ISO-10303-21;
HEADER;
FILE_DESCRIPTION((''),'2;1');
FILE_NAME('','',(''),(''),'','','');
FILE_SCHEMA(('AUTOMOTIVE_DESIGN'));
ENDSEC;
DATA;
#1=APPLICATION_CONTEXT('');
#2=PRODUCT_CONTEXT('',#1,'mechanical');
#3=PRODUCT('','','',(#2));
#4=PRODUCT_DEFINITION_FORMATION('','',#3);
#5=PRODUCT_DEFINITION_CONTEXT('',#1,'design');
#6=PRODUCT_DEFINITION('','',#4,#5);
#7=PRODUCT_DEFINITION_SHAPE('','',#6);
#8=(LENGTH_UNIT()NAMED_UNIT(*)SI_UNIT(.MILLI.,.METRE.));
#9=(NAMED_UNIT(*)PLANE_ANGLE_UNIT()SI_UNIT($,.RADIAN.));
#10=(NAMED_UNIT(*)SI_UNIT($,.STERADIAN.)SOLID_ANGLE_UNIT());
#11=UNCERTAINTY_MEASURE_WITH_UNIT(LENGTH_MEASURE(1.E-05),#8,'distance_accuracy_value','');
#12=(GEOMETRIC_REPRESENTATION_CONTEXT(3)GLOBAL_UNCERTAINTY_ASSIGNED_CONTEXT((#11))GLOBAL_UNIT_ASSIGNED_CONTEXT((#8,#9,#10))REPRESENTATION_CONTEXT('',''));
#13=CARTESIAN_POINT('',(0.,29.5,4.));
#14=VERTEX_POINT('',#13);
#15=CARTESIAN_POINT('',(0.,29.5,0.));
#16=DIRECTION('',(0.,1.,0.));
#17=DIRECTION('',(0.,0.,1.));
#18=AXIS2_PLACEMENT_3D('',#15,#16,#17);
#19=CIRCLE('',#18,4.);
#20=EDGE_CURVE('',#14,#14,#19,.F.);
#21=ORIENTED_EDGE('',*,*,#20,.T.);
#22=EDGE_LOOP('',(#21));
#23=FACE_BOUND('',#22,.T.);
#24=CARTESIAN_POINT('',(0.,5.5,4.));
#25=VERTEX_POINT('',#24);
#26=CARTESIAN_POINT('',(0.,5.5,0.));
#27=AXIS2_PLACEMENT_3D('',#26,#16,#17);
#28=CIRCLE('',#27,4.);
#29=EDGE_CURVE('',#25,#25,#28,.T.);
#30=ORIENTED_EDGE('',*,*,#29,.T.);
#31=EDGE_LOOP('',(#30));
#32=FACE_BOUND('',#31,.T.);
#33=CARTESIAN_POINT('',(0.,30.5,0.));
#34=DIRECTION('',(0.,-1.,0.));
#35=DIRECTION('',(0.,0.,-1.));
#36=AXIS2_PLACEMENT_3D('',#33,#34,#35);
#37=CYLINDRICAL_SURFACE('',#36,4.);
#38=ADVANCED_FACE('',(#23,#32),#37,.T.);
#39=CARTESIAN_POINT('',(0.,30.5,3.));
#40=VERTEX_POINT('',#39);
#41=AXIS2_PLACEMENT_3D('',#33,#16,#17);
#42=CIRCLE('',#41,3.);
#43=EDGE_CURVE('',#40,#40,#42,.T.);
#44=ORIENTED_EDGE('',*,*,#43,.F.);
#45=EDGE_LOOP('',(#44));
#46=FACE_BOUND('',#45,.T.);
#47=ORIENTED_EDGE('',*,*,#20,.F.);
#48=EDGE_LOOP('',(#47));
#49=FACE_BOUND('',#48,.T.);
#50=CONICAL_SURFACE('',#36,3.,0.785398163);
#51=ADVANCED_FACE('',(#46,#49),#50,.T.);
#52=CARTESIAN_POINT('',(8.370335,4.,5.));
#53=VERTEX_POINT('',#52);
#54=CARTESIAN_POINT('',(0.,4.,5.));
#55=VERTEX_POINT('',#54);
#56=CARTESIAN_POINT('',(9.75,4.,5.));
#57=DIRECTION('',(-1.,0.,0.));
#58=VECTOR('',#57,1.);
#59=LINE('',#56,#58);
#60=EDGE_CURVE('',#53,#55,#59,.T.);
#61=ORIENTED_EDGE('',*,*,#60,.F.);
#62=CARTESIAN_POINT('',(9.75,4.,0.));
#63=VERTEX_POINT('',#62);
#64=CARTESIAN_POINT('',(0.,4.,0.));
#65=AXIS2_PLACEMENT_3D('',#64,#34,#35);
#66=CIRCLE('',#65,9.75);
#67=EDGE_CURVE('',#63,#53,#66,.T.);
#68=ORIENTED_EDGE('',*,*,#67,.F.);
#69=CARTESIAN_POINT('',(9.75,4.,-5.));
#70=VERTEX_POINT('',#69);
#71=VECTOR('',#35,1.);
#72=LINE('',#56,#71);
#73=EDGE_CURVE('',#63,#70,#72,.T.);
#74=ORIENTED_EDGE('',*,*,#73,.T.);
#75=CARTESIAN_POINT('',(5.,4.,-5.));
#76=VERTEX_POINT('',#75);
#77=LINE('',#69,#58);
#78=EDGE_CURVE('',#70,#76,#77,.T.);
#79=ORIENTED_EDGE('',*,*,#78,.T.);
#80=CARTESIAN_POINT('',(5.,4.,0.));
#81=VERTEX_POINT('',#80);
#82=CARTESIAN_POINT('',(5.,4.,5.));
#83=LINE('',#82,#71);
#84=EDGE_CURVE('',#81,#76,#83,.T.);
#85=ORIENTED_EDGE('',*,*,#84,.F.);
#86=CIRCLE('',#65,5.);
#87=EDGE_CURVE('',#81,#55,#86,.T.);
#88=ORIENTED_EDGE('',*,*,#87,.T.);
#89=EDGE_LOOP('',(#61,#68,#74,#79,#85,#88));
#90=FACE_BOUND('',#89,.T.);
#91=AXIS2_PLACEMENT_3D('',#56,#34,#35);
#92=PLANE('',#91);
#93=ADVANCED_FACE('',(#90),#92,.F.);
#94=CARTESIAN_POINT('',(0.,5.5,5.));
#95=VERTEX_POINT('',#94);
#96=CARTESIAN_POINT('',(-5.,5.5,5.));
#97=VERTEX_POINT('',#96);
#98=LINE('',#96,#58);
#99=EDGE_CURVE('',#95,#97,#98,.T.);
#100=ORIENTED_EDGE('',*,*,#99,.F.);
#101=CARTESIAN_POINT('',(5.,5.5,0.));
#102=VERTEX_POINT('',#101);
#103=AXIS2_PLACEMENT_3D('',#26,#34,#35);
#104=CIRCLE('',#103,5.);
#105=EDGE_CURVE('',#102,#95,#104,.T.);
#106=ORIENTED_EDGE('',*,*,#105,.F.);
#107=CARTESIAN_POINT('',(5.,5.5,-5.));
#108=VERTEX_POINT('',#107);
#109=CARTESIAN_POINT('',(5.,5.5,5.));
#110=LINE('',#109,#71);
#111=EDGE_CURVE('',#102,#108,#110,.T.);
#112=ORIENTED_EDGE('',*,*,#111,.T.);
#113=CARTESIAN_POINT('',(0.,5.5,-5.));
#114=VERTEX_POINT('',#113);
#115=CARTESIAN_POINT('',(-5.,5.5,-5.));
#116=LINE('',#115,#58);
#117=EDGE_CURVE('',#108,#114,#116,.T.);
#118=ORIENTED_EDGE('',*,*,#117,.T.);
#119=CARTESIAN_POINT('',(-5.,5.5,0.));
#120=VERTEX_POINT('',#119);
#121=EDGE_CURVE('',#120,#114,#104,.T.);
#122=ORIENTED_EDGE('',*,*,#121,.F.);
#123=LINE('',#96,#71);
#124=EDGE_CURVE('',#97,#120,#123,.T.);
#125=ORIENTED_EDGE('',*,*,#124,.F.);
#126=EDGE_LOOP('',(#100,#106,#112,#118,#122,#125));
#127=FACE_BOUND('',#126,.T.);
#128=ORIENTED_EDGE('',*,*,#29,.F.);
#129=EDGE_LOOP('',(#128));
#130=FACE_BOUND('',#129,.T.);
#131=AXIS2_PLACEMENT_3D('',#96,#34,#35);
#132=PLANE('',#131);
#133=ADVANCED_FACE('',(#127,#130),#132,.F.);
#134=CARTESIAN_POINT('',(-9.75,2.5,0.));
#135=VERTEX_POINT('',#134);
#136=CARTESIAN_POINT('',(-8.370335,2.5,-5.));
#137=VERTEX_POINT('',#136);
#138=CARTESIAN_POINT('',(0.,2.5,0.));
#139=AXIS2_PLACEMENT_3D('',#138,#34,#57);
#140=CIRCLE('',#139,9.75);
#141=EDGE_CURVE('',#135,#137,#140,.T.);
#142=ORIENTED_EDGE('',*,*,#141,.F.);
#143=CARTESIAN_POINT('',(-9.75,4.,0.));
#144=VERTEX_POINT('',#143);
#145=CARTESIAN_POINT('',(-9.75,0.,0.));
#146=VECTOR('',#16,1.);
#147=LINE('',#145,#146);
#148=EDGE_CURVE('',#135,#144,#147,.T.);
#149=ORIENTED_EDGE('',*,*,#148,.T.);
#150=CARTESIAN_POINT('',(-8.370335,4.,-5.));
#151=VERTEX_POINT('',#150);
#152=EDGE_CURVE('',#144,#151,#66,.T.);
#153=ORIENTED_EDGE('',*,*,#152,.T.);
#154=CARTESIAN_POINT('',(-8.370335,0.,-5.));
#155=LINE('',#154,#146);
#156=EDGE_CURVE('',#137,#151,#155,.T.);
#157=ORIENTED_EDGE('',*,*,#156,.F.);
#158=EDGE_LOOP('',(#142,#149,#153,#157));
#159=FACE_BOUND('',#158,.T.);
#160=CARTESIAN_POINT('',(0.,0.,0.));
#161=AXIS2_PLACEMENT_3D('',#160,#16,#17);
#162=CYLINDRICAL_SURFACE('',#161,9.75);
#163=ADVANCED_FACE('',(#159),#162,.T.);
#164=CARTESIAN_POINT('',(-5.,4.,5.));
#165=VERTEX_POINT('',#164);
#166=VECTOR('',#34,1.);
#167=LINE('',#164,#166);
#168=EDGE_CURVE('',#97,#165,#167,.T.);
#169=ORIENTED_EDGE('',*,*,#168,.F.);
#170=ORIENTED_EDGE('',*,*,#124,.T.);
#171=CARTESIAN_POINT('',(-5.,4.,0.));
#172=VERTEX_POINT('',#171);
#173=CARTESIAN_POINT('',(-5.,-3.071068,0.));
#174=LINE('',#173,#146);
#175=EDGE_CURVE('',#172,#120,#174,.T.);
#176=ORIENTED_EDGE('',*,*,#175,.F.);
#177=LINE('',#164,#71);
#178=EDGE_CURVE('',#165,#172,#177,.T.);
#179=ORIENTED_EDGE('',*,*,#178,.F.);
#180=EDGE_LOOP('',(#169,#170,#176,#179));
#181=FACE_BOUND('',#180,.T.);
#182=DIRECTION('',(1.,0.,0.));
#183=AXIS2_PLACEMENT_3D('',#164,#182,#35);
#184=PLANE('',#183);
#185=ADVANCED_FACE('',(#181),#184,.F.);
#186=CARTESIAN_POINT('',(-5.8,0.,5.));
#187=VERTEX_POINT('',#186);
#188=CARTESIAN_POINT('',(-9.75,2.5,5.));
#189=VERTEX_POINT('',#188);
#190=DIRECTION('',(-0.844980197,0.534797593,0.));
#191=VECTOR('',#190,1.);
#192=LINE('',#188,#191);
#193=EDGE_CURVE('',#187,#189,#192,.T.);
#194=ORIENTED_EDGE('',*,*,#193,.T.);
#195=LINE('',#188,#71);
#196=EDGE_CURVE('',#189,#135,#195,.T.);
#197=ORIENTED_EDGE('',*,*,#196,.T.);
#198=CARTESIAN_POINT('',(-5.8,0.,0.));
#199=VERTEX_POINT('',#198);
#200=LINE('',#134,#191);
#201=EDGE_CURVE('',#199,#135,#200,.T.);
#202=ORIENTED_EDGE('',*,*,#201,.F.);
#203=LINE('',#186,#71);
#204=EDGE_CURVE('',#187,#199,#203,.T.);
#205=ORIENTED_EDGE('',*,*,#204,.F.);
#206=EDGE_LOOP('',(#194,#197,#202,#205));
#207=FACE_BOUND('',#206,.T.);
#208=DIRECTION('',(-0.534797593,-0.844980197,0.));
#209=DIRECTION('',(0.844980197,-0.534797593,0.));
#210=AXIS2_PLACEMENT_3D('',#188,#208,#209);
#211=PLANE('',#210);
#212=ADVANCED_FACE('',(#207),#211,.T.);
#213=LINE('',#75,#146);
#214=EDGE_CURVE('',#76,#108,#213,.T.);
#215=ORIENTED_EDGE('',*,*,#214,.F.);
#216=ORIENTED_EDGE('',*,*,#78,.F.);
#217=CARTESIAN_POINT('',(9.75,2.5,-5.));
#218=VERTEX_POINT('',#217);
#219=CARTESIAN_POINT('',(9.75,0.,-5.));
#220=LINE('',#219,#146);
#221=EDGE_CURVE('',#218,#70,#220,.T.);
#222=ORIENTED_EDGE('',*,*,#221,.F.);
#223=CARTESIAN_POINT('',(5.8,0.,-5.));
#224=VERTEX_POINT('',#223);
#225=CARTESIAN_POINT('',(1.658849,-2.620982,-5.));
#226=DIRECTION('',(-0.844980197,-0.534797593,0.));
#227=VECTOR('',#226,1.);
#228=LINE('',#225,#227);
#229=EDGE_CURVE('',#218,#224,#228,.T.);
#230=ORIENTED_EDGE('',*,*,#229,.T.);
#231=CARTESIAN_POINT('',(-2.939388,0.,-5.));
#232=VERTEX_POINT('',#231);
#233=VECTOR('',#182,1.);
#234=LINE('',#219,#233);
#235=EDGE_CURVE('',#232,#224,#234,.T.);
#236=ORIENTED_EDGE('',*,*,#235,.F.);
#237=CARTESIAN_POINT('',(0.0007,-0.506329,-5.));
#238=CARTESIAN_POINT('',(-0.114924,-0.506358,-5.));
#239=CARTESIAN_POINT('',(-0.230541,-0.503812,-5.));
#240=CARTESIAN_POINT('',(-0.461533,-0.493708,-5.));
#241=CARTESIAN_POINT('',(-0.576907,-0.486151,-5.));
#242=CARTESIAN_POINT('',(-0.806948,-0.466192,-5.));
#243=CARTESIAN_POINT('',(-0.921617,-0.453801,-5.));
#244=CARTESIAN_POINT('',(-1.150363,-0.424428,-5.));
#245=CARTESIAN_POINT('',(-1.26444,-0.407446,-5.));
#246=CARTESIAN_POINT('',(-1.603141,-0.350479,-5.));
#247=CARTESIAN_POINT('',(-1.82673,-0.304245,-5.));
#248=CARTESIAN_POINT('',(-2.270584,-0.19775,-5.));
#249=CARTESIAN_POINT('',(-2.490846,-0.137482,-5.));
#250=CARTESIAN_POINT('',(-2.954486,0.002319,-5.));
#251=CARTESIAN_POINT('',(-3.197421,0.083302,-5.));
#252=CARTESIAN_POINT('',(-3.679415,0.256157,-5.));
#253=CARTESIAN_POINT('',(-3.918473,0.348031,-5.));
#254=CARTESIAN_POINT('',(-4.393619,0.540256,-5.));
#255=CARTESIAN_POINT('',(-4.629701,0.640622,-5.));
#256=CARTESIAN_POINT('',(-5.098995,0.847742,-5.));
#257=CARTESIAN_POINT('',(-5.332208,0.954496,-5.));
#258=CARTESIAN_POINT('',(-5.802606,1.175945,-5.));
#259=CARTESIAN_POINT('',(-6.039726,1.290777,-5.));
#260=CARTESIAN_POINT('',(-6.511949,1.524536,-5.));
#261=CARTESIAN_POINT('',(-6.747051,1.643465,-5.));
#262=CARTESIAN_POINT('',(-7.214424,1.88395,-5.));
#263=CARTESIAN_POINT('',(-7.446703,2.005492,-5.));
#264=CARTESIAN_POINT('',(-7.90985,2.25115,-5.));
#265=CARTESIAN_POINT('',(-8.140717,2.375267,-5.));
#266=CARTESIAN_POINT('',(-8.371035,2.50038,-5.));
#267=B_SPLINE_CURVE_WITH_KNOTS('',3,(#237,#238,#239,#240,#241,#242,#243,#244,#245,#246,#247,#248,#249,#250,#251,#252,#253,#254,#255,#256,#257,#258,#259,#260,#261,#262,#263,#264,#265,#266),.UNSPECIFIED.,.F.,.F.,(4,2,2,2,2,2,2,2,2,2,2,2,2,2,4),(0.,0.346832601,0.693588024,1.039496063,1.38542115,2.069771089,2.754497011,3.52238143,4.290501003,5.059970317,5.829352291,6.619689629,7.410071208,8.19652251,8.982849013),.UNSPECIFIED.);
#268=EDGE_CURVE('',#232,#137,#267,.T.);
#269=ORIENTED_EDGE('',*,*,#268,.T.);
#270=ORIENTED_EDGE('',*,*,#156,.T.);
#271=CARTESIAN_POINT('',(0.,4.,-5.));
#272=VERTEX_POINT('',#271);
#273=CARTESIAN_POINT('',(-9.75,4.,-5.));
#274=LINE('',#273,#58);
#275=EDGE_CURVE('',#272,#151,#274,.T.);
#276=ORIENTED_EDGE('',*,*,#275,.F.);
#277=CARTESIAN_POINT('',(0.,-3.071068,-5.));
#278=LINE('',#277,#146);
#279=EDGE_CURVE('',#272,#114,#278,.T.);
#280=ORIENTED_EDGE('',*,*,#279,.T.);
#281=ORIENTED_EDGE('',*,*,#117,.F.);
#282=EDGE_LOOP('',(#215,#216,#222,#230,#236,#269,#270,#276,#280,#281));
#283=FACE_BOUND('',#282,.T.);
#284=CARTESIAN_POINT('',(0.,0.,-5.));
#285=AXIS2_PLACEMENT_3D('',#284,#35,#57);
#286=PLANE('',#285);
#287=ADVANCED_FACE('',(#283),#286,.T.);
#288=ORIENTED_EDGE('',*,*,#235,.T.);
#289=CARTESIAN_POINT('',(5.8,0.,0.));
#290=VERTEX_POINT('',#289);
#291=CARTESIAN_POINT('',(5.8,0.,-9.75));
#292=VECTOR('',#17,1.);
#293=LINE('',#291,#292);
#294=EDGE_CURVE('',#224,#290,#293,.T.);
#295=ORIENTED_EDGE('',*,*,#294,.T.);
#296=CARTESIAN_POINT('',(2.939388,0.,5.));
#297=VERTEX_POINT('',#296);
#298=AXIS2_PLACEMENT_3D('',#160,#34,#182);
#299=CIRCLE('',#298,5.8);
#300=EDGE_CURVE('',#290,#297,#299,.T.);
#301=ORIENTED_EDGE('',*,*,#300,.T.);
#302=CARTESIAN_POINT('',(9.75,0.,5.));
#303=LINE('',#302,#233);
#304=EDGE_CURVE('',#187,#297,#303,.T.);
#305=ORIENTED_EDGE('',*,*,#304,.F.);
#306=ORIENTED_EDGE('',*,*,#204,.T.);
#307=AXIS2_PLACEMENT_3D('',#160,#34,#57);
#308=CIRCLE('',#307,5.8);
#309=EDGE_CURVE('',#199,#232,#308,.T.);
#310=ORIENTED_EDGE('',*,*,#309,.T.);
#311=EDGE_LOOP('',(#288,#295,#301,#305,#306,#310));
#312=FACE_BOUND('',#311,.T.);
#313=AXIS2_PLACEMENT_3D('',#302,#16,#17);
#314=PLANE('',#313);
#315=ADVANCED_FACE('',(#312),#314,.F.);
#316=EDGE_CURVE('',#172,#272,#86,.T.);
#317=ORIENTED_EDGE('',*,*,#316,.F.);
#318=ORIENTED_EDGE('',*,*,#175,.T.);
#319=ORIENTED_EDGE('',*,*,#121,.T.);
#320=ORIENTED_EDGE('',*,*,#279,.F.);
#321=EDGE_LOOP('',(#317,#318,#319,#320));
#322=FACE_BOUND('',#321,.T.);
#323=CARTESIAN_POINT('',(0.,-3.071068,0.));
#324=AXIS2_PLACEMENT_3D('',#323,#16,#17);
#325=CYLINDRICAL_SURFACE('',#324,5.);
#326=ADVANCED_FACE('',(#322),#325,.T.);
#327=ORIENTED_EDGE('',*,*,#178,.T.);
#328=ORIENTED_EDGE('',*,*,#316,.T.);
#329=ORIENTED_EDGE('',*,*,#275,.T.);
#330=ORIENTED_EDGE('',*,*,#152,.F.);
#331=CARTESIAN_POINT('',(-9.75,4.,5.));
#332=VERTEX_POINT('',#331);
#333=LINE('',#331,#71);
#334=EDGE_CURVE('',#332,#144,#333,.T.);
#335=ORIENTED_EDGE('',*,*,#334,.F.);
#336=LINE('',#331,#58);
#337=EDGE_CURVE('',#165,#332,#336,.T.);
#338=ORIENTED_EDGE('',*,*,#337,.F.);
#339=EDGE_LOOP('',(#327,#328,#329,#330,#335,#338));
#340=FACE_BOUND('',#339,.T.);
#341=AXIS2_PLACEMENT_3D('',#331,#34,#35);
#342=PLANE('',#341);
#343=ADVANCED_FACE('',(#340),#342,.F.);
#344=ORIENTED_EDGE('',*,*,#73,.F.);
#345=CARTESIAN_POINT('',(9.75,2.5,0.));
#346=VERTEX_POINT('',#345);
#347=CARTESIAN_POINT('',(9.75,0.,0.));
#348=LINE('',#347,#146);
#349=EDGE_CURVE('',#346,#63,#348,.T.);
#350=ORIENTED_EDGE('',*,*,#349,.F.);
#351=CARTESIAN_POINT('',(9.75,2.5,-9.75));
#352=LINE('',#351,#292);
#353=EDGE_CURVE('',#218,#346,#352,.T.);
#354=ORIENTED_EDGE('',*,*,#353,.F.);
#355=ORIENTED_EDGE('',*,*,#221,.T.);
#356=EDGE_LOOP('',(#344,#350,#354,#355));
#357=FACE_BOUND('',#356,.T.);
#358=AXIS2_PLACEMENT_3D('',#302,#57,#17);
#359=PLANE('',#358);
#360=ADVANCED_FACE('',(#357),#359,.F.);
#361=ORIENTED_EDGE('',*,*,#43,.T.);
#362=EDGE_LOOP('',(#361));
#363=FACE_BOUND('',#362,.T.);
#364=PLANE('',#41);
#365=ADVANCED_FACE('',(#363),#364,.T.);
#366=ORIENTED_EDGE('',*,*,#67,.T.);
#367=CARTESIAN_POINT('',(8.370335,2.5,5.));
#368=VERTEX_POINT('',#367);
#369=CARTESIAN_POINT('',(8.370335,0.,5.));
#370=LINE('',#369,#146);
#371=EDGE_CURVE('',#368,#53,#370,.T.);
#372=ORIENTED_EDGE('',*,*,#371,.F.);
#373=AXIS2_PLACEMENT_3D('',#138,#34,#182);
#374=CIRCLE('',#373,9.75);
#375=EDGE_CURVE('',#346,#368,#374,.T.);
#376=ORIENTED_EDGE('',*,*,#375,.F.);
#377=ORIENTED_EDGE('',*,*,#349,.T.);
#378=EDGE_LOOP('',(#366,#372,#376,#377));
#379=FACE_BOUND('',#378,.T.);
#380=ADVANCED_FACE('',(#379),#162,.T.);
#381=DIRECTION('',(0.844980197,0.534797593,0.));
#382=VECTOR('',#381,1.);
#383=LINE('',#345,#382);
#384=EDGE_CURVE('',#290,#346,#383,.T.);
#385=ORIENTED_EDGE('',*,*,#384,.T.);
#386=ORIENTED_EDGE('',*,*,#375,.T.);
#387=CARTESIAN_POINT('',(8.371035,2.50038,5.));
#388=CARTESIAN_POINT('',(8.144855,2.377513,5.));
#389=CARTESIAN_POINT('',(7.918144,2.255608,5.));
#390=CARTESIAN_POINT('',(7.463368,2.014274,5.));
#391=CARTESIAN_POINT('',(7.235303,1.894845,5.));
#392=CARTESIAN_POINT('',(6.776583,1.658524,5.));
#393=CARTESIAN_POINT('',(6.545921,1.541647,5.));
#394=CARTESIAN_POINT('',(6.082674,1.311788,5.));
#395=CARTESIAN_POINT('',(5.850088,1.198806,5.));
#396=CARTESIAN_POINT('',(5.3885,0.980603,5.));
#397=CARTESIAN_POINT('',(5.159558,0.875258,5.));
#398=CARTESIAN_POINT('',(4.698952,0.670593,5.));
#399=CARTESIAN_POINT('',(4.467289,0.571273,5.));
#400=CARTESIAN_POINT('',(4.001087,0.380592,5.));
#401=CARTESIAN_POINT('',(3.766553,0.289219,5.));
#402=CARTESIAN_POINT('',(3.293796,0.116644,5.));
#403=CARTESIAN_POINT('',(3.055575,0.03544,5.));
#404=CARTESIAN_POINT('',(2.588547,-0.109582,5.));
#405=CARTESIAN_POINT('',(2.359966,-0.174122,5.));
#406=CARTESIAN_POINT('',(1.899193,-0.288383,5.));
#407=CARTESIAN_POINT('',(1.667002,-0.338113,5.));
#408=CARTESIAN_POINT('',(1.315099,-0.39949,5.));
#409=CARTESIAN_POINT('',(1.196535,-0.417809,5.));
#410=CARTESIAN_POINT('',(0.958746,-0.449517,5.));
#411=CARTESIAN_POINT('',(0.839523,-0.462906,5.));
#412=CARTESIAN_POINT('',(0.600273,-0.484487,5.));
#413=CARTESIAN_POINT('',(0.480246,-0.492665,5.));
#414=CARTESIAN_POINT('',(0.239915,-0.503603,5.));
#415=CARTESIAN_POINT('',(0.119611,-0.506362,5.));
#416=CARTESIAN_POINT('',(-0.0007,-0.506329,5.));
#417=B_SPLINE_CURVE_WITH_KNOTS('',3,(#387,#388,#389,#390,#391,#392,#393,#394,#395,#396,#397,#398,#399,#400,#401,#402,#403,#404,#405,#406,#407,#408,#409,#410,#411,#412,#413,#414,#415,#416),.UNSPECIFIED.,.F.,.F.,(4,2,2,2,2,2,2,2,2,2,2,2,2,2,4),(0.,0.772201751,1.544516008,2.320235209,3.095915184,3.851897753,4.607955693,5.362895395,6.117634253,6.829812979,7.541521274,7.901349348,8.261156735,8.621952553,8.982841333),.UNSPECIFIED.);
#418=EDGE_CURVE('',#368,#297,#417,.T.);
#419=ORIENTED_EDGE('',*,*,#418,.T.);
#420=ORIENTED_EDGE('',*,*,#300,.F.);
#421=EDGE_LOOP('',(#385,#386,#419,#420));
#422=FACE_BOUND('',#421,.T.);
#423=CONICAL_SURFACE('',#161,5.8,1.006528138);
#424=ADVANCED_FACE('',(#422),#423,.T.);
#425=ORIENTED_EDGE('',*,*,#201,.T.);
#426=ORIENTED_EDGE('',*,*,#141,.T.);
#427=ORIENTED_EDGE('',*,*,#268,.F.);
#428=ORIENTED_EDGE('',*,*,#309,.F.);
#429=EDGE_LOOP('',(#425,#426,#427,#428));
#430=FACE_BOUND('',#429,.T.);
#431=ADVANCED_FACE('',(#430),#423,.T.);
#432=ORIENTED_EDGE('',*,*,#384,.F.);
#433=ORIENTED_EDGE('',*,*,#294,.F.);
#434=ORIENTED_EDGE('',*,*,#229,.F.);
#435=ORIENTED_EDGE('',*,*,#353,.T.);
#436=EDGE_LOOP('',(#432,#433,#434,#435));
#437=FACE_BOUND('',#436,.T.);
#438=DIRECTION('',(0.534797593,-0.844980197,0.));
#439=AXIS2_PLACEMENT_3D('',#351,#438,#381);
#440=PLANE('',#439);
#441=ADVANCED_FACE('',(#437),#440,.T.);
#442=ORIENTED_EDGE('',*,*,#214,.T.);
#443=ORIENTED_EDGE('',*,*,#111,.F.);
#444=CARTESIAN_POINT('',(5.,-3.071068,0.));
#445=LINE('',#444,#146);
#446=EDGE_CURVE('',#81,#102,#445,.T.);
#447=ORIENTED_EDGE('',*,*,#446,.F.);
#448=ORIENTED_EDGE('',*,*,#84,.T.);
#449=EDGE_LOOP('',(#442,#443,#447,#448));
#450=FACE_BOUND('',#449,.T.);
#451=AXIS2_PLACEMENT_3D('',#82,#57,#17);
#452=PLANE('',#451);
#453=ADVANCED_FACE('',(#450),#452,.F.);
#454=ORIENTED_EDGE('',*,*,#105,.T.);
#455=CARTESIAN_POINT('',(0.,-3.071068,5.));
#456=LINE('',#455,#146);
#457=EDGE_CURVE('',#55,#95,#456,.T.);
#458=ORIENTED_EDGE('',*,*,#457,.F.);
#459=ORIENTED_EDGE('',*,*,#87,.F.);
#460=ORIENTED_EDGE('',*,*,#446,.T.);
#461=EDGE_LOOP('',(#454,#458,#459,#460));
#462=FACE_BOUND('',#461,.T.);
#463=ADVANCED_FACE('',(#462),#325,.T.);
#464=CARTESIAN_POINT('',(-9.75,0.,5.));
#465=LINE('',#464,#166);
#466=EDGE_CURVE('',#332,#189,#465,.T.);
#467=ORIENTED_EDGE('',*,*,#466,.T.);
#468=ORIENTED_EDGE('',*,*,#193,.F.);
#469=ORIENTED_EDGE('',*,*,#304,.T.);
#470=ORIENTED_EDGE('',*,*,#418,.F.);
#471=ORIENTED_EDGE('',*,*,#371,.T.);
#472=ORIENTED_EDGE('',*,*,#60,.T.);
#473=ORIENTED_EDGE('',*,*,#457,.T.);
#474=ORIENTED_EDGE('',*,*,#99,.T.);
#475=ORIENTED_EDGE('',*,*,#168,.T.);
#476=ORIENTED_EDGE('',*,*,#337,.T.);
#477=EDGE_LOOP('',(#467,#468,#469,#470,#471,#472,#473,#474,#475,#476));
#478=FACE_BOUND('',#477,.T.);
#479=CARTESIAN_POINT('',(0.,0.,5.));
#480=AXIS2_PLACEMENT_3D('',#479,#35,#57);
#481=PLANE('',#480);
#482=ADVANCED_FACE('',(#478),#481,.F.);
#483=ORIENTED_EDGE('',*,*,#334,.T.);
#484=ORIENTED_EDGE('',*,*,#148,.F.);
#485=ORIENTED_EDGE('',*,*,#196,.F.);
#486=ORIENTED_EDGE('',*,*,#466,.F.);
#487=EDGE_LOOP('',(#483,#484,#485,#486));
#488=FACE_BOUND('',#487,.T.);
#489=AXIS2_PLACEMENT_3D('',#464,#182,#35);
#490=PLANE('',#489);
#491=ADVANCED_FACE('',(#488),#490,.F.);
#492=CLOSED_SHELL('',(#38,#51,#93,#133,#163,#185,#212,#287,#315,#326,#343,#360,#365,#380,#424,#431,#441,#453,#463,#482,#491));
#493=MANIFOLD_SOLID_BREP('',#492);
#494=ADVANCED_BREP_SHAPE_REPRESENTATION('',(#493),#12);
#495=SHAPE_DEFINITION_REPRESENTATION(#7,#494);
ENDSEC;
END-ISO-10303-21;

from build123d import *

# Parameters (mm, degrees)
EXTRUDE_1_DEPTH     = 5
CUT_EXTRUDE_1_DEPTH = 1.5
SKETCH_2_R          = 4
EXTRUDE_2_DEPTH     = 25
CUT_EXTRUDE_2_DEPTH = 5
CHAMFER_2_SIZE      = 1


with BuildPart() as part:
    # Эскиз1 → Бобышка-Вытянуть1 (new body, symmetric)
    with BuildSketch(Plane.XY):
        Polygon((9.75, 0), (-9.75, 0), (-9.75, 4), (-5, 4), (-5, 5.5), (5, 5.5), (5, 4), (9.75, 4), align=None)
    extrude(amount=EXTRUDE_1_DEPTH, both=True)

    # Эскиз3 → Вырез-Вытянуть1 (cut)
    with BuildSketch(Plane(origin=(0, 5.5, 0), x_dir=(1, 0, 0), z_dir=(0, 1, 0))):
        with BuildLine():
            Line((-5, 0), (-5, 5))
            Line((-5, 5), (0, 5))
            ThreePointArc((0, 5), (-3.535533906, 3.535533906), (-5, 0))
        make_face()
        with BuildLine():
            Line((0, -5), (5, -5))
            Line((5, -5), (5, 0))
            ThreePointArc((5, 0), (3.535533906, -3.535533906), (0, -5))
        make_face()
    extrude(amount=-CUT_EXTRUDE_1_DEPTH, mode=Mode.SUBTRACT)

    # Эскиз2 → Бобышка-Вытянуть2 (add)
    with BuildSketch(Plane(origin=(0, 5.5, 0), x_dir=(1, 0, 0), z_dir=(0, 1, 0))):
        with Locations(Location((0, 0, 0), (0, 0, 270))):  # turned: the seam where the file's is
            Circle(SKETCH_2_R)
    extrude(amount=EXTRUDE_2_DEPTH)

    # Эскиз4 → Вырез-Вытянуть2 (cut, through all)
    with BuildSketch(Plane(origin=(0, 4, 0), x_dir=(1, 0, 0), z_dir=(0, 1, 0))):
        with BuildLine():
            Line((-8.370334521, 5), (-9.75, 5))
            Line((-9.75, 5), (-9.75, 0))
            ThreePointArc((-9.75, 0), (-9.398756875, 2.59342808), (-8.370334521, 5))
        make_face()
        with BuildLine():
            Line((8.370334521, -5), (9.75, -5))
            Line((9.75, -5), (9.75, 0))
            ThreePointArc((9.75, 0), (9.398756875, -2.59342808), (8.370334521, -5))
        make_face()
    extrude(amount=-CUT_EXTRUDE_2_DEPTH, mode=Mode.SUBTRACT)

    # Вырез-По траектории1: sweep along a path in Эскиз6
    with BuildLine(Plane.XZ) as sweep_1_path:
        Line((0, -9.75), (9.75, -9.75))
        Line((9.75, -9.75), (9.75, 0))
        ThreePointArc((9.75, 0), (6.894291117, 6.894291117), (0, 9.75))
        Line((0, 9.75), (-9.75, 9.75))
        Line((-9.75, 9.75), (-9.75, 0))
        ThreePointArc((-9.75, 0), (-6.894291117, -6.894291117), (0, -9.75))
    # Эскиз5 → Вырез-По траектории1 (sweep, cut)
    with BuildSketch(Plane.XY.offset(5)):
        Polygon((-9.75, 2.5), (-5.8, 0), (-9.75, 0), align=None)
    sweep(path=sweep_1_path.line, transition=Transition.RIGHT, mode=Mode.SUBTRACT)

    # Фаска2
    chamfer_2_edges = [part.edges().sort_by_distance(p)[0] for p in [
        (0, 30.5, -4),
    ]]
    chamfer(chamfer_2_edges, length=CHAMFER_2_SIZE)


solid = part.part
